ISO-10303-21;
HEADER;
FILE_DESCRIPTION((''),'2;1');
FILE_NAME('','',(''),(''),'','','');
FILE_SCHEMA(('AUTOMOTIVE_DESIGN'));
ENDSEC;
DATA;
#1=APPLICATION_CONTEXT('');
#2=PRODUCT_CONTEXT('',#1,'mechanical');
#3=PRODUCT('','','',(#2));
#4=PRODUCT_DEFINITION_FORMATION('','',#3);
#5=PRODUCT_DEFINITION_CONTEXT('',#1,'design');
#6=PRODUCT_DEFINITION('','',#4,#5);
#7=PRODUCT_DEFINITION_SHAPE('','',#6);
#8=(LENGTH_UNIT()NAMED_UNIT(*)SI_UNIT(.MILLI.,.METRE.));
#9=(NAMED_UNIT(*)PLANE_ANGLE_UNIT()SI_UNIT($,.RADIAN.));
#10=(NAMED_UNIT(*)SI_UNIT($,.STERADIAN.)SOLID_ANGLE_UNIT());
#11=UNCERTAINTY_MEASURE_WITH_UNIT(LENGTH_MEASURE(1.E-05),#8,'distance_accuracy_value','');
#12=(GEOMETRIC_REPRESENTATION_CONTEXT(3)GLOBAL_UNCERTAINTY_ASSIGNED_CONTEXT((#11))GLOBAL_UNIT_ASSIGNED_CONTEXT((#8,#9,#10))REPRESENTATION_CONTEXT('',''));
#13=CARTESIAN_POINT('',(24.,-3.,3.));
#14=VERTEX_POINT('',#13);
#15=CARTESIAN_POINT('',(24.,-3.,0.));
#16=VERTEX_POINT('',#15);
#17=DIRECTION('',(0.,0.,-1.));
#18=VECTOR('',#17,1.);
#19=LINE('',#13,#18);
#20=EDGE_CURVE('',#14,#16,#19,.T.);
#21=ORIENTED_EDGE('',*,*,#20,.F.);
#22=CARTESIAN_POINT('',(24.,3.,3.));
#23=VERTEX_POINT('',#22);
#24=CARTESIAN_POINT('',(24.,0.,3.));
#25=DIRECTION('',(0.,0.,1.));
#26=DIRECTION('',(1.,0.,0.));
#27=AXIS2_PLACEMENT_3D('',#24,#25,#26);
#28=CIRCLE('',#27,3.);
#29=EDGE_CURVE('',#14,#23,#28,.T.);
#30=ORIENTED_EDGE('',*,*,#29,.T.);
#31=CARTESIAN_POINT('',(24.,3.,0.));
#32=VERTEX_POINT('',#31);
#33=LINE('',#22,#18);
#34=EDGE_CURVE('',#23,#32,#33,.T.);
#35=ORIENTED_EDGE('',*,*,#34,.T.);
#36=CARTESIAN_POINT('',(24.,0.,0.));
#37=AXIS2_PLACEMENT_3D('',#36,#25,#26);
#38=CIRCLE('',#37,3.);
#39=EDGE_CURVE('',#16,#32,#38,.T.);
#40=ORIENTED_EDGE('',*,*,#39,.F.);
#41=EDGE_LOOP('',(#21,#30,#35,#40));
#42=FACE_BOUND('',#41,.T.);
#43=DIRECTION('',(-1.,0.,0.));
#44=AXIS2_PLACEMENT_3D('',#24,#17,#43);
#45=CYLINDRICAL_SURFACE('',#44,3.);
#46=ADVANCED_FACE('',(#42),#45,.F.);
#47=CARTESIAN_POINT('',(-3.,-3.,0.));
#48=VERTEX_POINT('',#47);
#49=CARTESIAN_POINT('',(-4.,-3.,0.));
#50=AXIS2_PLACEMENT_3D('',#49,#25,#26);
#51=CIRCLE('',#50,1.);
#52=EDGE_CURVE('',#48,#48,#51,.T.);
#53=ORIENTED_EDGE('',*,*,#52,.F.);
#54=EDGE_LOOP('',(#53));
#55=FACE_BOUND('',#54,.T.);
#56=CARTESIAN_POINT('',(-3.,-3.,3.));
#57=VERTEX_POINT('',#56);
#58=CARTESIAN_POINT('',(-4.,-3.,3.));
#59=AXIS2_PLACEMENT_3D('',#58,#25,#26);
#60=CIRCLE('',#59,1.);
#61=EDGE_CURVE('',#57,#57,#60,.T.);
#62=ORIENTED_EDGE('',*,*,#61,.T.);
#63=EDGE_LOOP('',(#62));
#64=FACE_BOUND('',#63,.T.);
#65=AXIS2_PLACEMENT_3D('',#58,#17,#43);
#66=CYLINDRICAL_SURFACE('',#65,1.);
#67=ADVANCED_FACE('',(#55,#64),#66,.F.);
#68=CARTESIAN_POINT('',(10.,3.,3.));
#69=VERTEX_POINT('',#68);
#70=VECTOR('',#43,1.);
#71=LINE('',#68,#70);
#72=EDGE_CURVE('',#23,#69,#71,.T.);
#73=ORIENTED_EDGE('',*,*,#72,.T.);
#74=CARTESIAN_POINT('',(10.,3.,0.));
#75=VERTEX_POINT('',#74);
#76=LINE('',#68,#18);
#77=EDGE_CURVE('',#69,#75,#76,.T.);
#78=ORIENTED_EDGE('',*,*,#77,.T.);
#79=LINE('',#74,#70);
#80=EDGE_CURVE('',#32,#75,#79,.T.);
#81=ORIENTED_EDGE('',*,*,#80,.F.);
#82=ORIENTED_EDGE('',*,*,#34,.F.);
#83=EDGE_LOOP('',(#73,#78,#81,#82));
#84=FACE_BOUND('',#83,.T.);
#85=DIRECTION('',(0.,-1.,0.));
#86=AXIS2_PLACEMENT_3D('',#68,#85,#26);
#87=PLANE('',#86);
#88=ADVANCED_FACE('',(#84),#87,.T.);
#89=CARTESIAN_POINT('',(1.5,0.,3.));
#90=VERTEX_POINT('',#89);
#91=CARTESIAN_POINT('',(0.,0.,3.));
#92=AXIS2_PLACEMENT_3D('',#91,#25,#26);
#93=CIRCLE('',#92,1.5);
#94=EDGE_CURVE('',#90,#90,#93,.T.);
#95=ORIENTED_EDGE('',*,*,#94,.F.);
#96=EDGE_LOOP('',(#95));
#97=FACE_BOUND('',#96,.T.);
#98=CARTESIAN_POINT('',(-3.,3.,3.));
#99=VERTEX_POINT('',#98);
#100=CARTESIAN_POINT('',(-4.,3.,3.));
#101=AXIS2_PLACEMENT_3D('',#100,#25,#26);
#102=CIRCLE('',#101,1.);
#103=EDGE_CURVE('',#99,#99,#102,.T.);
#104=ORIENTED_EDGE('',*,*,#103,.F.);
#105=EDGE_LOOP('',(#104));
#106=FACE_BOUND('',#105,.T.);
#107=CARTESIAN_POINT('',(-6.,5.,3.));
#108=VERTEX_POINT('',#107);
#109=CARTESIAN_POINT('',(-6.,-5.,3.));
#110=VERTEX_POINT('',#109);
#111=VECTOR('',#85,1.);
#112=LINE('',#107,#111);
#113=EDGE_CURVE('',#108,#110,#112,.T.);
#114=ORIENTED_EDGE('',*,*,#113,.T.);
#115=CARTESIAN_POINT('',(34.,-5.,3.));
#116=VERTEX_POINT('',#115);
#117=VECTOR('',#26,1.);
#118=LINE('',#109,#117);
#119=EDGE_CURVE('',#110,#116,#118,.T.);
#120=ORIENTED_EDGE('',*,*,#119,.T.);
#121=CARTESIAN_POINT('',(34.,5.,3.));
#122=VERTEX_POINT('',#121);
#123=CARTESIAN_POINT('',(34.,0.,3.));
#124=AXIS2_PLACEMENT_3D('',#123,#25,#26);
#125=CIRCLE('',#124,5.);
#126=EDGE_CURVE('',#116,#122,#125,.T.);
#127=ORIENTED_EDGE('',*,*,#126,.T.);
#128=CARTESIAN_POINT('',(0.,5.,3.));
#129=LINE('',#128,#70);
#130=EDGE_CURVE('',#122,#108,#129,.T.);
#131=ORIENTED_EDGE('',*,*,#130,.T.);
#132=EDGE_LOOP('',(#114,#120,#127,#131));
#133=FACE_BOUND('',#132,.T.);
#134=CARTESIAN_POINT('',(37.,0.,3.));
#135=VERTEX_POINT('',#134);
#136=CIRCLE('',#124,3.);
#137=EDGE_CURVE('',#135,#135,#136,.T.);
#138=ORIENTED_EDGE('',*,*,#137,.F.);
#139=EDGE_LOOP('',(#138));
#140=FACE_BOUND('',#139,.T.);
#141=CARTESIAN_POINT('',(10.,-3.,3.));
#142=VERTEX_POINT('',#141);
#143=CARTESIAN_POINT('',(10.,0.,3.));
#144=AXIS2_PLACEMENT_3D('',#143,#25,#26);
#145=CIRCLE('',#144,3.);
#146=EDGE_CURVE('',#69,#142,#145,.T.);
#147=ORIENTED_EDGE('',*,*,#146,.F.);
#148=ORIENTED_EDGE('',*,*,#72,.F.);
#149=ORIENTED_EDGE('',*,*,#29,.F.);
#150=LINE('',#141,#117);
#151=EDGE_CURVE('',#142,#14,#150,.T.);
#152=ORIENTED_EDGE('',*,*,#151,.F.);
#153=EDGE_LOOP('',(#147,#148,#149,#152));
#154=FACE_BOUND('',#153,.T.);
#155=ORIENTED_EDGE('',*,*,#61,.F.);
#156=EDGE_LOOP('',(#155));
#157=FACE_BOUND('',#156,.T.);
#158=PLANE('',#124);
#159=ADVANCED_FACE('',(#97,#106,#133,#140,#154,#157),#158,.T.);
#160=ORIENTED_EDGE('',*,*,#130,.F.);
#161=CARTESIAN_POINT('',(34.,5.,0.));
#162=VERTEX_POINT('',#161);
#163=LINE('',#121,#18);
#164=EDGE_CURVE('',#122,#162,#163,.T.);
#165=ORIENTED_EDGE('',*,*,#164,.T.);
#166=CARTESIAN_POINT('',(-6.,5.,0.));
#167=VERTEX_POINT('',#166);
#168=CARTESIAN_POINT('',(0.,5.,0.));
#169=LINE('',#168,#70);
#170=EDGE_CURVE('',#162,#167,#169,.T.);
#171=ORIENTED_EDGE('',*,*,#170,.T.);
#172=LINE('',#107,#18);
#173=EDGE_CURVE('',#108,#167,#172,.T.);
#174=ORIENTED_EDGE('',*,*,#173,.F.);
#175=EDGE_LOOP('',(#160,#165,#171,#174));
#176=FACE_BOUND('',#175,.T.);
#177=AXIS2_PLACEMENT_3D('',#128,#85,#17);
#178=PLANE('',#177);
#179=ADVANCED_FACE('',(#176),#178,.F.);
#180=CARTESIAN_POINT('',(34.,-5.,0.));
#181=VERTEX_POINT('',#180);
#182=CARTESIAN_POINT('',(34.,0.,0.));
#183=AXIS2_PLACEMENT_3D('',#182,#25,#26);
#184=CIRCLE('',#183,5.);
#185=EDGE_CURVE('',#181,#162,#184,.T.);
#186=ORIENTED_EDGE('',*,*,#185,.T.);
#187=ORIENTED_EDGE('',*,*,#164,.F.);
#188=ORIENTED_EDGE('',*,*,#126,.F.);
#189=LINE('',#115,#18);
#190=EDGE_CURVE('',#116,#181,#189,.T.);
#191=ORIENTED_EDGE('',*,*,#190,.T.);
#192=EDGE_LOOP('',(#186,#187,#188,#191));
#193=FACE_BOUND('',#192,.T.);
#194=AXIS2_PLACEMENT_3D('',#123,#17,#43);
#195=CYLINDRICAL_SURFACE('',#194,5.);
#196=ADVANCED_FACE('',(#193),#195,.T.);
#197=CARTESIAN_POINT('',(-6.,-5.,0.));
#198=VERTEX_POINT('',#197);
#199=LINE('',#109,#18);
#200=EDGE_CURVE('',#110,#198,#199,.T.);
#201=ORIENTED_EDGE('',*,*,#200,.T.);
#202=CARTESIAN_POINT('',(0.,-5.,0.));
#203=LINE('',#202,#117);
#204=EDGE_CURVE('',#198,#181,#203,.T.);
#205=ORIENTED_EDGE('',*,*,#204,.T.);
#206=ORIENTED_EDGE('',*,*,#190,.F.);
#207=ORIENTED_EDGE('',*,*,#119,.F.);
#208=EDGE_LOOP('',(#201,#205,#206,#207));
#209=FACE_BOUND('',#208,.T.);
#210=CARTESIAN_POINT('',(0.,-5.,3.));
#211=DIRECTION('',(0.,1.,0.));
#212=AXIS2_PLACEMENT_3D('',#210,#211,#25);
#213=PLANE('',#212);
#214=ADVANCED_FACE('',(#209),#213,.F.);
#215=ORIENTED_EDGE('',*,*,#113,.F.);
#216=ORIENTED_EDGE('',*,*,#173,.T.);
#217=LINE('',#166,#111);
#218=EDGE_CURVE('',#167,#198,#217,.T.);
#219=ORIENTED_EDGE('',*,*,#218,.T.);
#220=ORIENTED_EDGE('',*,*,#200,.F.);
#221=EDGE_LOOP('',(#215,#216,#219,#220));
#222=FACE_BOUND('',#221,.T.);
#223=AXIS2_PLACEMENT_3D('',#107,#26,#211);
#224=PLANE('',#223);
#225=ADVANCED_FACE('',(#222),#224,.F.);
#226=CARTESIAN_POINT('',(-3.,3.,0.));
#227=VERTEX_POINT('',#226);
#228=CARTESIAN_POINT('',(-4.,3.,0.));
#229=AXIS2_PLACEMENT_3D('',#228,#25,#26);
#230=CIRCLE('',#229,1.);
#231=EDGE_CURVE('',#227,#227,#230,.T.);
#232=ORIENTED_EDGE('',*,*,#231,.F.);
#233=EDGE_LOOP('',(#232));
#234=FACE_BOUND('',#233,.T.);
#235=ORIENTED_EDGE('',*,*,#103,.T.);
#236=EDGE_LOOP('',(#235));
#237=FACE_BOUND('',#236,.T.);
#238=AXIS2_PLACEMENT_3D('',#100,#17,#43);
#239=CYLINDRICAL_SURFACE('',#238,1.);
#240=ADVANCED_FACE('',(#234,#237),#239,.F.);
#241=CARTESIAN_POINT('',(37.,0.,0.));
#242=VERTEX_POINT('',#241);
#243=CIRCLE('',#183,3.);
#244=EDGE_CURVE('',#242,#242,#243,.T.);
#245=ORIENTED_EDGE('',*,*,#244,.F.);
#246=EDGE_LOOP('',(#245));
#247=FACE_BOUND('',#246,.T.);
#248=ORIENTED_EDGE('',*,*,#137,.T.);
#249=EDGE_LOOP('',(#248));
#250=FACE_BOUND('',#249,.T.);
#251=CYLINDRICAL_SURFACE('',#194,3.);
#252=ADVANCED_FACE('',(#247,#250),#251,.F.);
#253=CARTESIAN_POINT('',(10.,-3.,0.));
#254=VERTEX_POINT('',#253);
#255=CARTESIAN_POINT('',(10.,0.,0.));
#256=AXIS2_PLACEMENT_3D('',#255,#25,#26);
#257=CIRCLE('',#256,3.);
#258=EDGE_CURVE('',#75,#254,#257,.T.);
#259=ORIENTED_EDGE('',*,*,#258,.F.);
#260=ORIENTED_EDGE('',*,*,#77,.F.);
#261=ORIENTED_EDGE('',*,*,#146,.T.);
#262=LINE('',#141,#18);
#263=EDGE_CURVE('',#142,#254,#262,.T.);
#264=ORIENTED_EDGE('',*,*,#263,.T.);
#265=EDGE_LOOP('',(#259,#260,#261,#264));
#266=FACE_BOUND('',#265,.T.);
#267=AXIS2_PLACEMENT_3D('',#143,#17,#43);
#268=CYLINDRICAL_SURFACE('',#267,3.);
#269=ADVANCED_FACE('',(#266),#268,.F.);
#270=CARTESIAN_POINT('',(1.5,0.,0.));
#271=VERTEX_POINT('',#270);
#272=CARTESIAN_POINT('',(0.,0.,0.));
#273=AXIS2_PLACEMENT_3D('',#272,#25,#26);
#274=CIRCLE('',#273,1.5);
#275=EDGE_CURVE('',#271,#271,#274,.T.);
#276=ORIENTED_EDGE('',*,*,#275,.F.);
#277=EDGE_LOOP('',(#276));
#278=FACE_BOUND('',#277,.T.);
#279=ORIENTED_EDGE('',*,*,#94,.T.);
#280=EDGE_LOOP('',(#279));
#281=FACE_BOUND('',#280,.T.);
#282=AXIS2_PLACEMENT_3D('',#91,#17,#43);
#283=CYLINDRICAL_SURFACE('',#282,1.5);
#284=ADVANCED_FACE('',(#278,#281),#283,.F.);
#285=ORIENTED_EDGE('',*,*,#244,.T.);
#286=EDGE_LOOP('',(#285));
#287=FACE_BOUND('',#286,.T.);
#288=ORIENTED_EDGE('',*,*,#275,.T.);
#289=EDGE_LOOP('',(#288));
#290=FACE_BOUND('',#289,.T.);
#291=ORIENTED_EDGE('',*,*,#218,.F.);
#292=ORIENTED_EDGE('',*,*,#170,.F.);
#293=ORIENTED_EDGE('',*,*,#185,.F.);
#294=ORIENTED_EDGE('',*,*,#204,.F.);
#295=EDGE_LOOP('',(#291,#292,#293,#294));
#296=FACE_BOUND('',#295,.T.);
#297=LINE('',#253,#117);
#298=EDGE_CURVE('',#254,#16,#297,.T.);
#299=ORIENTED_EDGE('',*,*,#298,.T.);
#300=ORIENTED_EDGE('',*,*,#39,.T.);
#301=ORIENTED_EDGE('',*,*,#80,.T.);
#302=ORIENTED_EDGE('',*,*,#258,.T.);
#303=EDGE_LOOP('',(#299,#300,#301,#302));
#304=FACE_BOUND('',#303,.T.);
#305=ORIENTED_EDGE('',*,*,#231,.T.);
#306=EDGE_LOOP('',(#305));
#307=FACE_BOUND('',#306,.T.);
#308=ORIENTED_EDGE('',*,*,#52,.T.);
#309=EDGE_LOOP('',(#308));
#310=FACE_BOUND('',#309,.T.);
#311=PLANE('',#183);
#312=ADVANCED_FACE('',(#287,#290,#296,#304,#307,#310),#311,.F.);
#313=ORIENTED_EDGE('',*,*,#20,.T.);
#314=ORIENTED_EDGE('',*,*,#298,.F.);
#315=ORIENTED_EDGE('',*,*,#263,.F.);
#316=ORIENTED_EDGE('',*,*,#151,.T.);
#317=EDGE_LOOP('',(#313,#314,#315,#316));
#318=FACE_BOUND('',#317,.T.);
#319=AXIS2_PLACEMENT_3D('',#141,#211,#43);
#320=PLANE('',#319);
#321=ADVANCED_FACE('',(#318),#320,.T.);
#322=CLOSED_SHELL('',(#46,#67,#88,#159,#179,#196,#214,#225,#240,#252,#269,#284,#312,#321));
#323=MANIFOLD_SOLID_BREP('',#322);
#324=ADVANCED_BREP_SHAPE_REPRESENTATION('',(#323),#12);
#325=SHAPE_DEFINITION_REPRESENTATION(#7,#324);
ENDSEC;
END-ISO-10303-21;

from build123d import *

# Parameters (mm, degrees)
SKETCH_2_R      = 1
SKETCH_2_R_2    = 1.5
SKETCH_2_R_3    = 3
EXTRUDE_1_DEPTH = 3


with BuildPart() as part:
    # 草图2 → 凸台-拉伸1 (new body)
    with BuildSketch(Plane.XY):
        with BuildLine():
            Line((0, 5), (34, 5))
            ThreePointArc((34, 5), (39, 0), (34, -5))
            Line((34, -5), (0, -5))
            Line((0, -5), (-6, -5))
            Line((-6, -5), (-6, 5))
            Line((-6, 5), (0, 5))
        make_face()
        with Locations((-4, 3)):
            Circle(SKETCH_2_R, mode=Mode.SUBTRACT)
        Circle(SKETCH_2_R_2, mode=Mode.SUBTRACT)
        with Locations((34, 0)):
            Circle(SKETCH_2_R_3, mode=Mode.SUBTRACT)
        with Locations((-4, -3)):
            Circle(SKETCH_2_R, mode=Mode.SUBTRACT)
        with BuildLine():
            Line((10, 3), (24, 3))
            ThreePointArc((24, 3), (27, 0), (24, -3))
            Line((24, -3), (10, -3))
            ThreePointArc((10, -3), (7, 0), (10, 3))
        make_face(mode=Mode.SUBTRACT)
    extrude(amount=EXTRUDE_1_DEPTH)


solid = part.part
